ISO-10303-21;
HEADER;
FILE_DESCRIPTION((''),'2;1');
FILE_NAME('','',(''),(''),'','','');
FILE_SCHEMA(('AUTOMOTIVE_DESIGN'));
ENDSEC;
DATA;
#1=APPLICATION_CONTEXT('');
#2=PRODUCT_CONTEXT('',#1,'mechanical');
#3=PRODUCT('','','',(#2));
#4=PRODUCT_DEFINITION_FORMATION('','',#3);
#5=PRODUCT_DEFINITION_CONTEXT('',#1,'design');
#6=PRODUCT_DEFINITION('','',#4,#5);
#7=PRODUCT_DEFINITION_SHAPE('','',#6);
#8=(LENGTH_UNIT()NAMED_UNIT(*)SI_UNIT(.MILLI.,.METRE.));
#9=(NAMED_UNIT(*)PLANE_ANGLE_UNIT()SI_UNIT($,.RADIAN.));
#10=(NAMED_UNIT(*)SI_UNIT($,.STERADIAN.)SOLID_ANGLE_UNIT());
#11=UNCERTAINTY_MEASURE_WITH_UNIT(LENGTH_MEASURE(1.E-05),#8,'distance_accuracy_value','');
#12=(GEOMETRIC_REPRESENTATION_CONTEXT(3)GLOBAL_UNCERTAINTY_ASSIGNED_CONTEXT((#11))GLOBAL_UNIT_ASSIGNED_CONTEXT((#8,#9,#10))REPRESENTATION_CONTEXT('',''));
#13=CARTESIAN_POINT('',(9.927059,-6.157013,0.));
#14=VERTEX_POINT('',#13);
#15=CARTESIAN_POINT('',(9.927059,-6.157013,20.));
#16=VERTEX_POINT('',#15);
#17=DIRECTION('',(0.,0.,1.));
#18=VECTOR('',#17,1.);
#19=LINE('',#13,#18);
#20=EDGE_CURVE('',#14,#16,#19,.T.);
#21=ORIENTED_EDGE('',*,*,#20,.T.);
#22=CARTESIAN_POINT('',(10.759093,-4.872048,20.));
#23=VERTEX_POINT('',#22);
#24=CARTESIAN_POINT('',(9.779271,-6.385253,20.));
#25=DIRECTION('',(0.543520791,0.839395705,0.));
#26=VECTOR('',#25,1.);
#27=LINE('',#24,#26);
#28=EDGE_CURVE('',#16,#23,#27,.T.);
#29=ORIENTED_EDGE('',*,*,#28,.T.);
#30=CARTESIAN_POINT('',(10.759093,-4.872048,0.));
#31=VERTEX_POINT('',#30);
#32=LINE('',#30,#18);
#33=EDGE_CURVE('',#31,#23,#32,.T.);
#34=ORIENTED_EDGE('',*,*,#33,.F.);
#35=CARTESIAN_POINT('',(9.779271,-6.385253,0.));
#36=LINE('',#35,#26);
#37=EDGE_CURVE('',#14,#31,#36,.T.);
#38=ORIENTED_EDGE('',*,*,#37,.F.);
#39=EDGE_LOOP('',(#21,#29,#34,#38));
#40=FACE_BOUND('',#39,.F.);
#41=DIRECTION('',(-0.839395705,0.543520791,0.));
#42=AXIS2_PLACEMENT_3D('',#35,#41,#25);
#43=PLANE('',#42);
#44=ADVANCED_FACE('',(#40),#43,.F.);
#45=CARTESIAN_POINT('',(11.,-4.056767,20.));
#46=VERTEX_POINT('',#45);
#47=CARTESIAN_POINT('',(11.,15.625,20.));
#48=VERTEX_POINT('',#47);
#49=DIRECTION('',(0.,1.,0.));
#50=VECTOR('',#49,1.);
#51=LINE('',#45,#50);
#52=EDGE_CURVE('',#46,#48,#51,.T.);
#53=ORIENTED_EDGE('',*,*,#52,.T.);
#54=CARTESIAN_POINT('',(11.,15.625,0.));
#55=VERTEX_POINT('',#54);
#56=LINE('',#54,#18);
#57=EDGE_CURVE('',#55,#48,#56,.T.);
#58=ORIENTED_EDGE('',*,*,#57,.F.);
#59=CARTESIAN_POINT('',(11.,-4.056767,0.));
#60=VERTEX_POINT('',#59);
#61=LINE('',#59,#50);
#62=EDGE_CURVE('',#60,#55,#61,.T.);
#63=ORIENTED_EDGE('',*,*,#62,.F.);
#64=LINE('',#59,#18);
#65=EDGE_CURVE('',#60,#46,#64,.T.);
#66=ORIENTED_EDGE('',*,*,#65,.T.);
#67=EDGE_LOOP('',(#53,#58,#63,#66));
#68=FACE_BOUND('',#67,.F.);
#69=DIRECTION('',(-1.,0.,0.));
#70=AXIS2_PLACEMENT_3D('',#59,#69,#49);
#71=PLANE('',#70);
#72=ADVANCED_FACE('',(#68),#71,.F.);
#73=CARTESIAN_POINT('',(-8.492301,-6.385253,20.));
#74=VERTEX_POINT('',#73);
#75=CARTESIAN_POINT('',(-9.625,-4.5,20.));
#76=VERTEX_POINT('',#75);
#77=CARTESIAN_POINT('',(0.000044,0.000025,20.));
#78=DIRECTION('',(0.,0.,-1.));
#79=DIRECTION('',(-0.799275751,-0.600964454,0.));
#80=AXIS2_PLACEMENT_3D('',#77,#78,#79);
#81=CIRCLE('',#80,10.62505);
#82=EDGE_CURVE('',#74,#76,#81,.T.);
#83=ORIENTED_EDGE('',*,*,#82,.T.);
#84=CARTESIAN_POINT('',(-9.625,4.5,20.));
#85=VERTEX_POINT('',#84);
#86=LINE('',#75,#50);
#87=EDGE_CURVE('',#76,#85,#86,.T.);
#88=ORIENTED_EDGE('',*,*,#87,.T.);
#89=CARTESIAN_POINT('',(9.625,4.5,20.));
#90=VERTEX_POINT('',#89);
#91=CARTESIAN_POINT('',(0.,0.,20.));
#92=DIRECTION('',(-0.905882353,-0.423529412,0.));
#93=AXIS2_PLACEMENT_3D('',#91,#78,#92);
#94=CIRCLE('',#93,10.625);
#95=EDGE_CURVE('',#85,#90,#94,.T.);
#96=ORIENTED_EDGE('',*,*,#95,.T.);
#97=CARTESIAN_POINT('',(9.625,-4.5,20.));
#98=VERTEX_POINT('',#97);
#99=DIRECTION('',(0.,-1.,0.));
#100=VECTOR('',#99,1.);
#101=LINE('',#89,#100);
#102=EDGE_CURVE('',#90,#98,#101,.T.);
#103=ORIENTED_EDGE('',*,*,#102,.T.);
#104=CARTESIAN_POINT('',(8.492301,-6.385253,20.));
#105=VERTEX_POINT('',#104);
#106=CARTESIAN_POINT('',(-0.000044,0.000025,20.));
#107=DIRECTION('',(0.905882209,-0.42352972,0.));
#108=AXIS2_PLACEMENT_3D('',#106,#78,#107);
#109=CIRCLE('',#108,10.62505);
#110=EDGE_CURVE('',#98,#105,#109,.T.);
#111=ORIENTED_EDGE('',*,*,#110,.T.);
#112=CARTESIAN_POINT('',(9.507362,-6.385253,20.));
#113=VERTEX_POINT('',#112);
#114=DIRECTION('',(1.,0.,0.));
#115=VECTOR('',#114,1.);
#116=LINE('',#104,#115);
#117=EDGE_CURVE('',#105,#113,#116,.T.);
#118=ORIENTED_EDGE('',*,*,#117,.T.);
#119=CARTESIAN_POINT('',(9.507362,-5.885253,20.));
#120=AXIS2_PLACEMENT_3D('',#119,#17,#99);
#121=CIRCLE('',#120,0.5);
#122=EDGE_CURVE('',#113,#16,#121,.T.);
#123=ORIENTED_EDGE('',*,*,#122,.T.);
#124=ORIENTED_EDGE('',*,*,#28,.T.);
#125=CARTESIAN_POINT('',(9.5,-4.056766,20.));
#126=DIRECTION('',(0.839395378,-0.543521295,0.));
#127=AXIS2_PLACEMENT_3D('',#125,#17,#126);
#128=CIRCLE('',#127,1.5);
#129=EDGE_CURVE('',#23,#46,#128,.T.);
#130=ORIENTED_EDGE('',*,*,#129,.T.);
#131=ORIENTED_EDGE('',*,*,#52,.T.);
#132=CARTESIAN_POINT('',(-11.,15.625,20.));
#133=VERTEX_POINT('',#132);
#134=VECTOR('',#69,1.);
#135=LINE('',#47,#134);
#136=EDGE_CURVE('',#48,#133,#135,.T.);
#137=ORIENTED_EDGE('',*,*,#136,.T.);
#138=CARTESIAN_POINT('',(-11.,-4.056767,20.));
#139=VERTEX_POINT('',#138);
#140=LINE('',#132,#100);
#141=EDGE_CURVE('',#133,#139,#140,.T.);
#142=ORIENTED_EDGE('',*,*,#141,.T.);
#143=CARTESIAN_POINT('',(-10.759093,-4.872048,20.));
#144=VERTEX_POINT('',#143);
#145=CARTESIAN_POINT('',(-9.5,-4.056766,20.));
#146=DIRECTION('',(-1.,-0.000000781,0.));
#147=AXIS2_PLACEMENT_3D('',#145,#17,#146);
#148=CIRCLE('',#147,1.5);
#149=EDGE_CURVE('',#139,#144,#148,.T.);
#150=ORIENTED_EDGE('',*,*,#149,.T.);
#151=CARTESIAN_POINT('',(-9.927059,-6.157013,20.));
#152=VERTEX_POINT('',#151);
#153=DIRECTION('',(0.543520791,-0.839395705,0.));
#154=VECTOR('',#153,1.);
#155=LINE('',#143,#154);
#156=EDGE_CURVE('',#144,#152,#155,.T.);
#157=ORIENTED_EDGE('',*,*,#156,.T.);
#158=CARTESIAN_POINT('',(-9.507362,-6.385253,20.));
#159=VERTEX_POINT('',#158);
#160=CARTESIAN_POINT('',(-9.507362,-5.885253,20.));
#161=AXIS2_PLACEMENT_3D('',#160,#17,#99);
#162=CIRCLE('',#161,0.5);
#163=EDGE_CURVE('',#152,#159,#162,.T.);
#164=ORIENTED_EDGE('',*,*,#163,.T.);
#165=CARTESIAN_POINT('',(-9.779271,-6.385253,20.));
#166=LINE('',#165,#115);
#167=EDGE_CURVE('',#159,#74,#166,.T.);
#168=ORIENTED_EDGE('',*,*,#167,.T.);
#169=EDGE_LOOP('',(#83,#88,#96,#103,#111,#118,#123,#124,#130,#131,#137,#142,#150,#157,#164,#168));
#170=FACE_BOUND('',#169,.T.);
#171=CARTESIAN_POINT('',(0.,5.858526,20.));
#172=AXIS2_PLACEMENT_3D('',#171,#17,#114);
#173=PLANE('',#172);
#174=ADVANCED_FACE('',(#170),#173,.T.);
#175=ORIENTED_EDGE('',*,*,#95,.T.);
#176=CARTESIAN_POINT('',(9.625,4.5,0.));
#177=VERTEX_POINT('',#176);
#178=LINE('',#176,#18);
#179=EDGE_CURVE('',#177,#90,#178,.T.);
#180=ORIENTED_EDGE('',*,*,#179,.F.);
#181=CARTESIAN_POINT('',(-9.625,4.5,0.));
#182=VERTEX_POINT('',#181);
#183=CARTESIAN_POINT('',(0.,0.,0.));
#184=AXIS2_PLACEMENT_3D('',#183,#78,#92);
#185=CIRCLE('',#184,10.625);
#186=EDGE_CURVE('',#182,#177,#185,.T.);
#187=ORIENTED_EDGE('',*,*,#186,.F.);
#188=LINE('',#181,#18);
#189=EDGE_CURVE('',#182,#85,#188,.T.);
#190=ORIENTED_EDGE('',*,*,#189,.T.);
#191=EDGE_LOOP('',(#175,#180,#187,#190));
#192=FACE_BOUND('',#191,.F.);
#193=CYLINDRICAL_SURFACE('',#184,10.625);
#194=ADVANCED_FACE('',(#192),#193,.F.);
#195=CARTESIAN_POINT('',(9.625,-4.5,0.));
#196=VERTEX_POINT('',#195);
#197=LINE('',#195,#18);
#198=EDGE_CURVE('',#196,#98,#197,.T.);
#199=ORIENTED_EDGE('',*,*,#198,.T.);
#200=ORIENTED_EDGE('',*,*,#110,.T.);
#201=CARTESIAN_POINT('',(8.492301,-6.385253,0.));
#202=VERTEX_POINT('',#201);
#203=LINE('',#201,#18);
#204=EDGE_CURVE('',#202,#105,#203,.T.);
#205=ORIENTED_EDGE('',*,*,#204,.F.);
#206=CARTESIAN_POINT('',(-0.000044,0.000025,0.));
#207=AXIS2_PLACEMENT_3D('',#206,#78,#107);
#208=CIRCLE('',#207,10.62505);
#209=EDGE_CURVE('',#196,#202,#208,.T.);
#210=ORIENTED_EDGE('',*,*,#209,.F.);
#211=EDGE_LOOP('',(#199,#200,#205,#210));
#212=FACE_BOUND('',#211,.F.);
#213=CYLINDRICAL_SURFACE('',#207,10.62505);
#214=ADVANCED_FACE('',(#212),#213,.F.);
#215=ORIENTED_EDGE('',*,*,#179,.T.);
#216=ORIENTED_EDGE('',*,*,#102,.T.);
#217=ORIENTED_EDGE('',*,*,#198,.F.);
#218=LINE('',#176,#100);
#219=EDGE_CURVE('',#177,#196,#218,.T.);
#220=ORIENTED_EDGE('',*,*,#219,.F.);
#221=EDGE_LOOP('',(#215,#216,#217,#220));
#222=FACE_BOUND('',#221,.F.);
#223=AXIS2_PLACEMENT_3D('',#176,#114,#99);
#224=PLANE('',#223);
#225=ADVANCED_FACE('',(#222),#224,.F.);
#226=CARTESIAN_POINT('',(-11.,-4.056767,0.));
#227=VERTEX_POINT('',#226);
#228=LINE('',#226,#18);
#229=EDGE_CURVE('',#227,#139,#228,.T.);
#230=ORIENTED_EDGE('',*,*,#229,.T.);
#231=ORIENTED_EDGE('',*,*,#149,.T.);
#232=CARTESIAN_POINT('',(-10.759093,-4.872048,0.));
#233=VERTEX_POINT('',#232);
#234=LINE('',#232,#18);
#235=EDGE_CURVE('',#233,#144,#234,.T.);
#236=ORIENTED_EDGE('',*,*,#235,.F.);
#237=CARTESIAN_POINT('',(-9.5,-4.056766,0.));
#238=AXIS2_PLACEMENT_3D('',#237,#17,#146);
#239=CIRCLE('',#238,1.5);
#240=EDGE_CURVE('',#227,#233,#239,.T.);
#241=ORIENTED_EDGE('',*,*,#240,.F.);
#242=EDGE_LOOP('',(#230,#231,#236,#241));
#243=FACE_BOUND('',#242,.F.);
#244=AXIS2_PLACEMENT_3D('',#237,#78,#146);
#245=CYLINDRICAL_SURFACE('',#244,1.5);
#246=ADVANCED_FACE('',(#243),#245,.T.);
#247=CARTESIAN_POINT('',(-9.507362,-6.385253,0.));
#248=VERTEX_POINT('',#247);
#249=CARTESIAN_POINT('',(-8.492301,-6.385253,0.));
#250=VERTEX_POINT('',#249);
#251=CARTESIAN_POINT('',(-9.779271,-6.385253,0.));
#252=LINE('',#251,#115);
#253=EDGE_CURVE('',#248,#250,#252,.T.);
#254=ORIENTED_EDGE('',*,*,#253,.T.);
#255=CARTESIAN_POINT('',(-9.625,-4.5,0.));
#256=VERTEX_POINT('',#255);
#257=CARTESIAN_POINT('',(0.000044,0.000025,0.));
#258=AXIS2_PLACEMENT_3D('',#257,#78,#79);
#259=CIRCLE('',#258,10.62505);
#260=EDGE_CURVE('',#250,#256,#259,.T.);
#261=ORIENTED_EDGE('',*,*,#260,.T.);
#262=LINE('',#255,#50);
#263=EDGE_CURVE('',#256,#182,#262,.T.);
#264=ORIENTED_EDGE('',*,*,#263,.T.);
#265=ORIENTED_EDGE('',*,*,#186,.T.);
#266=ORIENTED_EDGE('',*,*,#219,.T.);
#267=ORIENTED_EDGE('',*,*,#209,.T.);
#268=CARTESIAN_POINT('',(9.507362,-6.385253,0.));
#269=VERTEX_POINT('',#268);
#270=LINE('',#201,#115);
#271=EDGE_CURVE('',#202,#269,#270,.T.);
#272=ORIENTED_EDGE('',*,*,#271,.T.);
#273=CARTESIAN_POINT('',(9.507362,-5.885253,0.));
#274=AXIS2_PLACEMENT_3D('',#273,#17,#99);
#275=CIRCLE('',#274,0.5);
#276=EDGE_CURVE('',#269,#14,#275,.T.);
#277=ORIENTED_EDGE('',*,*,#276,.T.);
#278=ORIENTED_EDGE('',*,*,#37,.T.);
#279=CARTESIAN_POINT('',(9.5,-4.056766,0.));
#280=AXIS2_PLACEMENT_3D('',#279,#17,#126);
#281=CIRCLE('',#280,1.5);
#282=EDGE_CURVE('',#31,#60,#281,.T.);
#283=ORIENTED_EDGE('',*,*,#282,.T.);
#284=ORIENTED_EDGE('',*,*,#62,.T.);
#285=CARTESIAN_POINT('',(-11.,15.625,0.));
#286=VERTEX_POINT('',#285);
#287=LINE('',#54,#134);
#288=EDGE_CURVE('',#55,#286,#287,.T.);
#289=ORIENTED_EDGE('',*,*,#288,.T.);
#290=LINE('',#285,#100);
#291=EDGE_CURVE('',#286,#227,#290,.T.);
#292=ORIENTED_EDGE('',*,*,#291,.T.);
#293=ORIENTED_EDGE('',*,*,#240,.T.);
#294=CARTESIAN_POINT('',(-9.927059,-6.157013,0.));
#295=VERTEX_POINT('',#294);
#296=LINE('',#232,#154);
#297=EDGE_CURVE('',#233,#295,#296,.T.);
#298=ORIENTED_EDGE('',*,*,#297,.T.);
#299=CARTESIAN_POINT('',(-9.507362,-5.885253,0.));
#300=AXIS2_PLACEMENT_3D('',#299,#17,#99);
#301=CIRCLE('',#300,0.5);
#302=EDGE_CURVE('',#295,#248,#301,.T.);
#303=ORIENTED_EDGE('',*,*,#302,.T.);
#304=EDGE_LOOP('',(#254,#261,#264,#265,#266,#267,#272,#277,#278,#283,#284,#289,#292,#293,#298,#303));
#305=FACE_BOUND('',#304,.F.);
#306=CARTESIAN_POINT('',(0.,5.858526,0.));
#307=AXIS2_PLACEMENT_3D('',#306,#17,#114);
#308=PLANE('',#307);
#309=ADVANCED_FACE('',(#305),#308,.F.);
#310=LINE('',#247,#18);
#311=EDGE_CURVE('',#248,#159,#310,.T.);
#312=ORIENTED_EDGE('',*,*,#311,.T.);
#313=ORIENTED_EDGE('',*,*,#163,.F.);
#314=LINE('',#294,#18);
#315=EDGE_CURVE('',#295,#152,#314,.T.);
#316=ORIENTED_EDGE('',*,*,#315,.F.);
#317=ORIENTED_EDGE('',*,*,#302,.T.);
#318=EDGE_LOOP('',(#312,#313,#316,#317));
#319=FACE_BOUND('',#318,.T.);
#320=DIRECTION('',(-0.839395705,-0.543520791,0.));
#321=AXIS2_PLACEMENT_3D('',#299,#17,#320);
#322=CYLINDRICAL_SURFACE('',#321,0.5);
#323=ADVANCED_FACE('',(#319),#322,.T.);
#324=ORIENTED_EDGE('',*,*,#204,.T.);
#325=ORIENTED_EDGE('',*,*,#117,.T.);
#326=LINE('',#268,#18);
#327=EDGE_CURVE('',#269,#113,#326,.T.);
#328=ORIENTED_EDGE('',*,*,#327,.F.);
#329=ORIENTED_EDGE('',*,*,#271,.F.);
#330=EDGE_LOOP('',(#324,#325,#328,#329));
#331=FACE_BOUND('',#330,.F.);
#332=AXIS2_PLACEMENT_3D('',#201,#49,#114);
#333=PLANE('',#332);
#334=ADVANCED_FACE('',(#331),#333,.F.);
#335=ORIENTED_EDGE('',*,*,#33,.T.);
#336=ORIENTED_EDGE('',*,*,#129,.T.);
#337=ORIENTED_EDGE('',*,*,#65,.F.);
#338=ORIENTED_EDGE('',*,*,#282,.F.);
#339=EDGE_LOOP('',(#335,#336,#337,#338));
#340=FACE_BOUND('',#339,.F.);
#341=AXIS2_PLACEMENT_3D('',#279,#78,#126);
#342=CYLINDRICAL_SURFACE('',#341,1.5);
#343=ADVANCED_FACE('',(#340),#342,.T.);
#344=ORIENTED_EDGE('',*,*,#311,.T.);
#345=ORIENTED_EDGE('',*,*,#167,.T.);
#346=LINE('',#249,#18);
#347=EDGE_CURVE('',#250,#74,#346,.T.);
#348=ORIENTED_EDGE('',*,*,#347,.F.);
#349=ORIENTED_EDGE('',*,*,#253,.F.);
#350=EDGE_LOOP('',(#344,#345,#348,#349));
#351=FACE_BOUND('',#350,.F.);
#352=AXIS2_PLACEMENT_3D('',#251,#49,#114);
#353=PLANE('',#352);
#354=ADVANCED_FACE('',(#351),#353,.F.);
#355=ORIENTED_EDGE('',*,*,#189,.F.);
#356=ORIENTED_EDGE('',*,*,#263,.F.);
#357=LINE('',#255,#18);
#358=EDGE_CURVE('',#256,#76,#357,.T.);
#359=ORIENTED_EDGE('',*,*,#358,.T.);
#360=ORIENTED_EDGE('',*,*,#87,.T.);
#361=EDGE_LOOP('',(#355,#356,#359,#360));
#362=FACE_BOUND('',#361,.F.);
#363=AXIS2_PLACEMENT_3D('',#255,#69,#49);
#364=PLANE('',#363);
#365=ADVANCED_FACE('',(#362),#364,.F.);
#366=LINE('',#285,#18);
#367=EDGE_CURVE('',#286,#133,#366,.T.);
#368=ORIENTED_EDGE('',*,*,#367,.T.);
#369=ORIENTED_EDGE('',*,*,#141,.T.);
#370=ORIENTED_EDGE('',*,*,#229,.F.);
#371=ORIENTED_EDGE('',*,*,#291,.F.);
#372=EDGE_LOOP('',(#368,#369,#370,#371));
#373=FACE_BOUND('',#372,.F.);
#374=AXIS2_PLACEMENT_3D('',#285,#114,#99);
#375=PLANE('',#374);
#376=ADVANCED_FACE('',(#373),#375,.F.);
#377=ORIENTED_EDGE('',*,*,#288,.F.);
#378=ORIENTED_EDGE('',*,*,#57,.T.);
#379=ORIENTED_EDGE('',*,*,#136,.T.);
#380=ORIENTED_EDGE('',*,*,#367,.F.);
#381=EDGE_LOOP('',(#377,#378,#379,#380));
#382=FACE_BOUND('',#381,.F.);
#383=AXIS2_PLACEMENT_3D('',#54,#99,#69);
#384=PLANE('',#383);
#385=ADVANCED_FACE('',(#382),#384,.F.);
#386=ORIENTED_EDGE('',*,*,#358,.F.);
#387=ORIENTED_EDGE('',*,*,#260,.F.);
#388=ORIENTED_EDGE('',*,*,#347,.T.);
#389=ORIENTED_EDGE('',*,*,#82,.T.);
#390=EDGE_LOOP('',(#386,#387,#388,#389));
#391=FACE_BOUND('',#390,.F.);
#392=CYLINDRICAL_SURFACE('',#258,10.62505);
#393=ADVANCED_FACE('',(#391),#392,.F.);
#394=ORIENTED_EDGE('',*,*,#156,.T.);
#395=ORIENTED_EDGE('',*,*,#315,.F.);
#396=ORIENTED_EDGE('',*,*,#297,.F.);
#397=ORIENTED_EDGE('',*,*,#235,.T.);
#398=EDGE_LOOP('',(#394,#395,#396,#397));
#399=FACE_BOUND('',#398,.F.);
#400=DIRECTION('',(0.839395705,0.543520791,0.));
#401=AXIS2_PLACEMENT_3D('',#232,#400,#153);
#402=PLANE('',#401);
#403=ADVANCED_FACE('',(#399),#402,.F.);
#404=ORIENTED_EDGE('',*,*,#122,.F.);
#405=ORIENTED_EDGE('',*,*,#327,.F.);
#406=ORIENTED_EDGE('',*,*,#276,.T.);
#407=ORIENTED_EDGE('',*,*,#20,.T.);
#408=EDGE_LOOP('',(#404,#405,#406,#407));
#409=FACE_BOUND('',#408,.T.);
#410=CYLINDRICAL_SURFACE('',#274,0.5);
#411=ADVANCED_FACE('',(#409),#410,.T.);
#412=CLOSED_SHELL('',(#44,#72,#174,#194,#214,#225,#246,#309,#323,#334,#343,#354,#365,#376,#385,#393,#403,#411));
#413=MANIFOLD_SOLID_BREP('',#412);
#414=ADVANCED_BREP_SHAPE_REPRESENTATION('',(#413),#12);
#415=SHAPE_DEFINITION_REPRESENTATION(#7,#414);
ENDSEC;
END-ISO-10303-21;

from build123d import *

# Parameters (mm, degrees)
F1_DEPTH = 20
F2_R     = 0.5


with BuildPart() as f1:
    # F0 (on Top) → F1 (new body)
    with BuildSketch(Plane.XY):
        with BuildLine():
            ThreePointArc((9.625, -4.5), (9.107562, -5.472014), (8.492301, -6.385253))
            Line((8.492301, -6.385253), (9.779271, -6.385253))
            Line((9.779271, -6.385253), (10.759093, -4.872048))
            ThreePointArc((10.759093, -4.872048), (10.938513, -4.481831), (11, -4.056767))
            Line((11, -4.056767), (11, 15.625))
            Line((11, 15.625), (-11, 15.625))
            Line((-11, 15.625), (-11, -4.056767))
            ThreePointArc((-11, -4.056767), (-10.938513, -4.481831), (-10.759093, -4.872048))
            Line((-10.759093, -4.872048), (-9.779271, -6.385253))
            Line((-9.779271, -6.385253), (-8.492301, -6.385253))
            ThreePointArc((-8.492301, -6.385253), (-9.107562, -5.472014), (-9.625, -4.5))
            ThreePointArc((-9.625, -4.5), (-10.625, 0), (-9.625, 4.5))
            ThreePointArc((-9.625, 4.5), (0, 10.625), (9.625, 4.5))
            ThreePointArc((9.625, 4.5), (10.625, 0), (9.625, -4.5))
        make_face()
        with BuildLine():
            Line((-9.625, -4.5), (-9.625, 4.5))
            ThreePointArc((-9.625, 4.5), (-10.625, 0), (-9.625, -4.5))
        make_face()
        with BuildLine():
            Line((9.625, 4.5), (9.625, -4.5))
            ThreePointArc((9.625, -4.5), (10.625, 0), (9.625, 4.5))
        make_face()
    extrude(amount=F1_DEPTH)

    # F2
    f2_edges = [f1.edges().sort_by_distance(p)[0] for p in [
        (-9.779271, -6.385253, 10),
        (9.779271, -6.385253, 10),
    ]]
    fillet(f2_edges, radius=F2_R)


solid = f1.part
